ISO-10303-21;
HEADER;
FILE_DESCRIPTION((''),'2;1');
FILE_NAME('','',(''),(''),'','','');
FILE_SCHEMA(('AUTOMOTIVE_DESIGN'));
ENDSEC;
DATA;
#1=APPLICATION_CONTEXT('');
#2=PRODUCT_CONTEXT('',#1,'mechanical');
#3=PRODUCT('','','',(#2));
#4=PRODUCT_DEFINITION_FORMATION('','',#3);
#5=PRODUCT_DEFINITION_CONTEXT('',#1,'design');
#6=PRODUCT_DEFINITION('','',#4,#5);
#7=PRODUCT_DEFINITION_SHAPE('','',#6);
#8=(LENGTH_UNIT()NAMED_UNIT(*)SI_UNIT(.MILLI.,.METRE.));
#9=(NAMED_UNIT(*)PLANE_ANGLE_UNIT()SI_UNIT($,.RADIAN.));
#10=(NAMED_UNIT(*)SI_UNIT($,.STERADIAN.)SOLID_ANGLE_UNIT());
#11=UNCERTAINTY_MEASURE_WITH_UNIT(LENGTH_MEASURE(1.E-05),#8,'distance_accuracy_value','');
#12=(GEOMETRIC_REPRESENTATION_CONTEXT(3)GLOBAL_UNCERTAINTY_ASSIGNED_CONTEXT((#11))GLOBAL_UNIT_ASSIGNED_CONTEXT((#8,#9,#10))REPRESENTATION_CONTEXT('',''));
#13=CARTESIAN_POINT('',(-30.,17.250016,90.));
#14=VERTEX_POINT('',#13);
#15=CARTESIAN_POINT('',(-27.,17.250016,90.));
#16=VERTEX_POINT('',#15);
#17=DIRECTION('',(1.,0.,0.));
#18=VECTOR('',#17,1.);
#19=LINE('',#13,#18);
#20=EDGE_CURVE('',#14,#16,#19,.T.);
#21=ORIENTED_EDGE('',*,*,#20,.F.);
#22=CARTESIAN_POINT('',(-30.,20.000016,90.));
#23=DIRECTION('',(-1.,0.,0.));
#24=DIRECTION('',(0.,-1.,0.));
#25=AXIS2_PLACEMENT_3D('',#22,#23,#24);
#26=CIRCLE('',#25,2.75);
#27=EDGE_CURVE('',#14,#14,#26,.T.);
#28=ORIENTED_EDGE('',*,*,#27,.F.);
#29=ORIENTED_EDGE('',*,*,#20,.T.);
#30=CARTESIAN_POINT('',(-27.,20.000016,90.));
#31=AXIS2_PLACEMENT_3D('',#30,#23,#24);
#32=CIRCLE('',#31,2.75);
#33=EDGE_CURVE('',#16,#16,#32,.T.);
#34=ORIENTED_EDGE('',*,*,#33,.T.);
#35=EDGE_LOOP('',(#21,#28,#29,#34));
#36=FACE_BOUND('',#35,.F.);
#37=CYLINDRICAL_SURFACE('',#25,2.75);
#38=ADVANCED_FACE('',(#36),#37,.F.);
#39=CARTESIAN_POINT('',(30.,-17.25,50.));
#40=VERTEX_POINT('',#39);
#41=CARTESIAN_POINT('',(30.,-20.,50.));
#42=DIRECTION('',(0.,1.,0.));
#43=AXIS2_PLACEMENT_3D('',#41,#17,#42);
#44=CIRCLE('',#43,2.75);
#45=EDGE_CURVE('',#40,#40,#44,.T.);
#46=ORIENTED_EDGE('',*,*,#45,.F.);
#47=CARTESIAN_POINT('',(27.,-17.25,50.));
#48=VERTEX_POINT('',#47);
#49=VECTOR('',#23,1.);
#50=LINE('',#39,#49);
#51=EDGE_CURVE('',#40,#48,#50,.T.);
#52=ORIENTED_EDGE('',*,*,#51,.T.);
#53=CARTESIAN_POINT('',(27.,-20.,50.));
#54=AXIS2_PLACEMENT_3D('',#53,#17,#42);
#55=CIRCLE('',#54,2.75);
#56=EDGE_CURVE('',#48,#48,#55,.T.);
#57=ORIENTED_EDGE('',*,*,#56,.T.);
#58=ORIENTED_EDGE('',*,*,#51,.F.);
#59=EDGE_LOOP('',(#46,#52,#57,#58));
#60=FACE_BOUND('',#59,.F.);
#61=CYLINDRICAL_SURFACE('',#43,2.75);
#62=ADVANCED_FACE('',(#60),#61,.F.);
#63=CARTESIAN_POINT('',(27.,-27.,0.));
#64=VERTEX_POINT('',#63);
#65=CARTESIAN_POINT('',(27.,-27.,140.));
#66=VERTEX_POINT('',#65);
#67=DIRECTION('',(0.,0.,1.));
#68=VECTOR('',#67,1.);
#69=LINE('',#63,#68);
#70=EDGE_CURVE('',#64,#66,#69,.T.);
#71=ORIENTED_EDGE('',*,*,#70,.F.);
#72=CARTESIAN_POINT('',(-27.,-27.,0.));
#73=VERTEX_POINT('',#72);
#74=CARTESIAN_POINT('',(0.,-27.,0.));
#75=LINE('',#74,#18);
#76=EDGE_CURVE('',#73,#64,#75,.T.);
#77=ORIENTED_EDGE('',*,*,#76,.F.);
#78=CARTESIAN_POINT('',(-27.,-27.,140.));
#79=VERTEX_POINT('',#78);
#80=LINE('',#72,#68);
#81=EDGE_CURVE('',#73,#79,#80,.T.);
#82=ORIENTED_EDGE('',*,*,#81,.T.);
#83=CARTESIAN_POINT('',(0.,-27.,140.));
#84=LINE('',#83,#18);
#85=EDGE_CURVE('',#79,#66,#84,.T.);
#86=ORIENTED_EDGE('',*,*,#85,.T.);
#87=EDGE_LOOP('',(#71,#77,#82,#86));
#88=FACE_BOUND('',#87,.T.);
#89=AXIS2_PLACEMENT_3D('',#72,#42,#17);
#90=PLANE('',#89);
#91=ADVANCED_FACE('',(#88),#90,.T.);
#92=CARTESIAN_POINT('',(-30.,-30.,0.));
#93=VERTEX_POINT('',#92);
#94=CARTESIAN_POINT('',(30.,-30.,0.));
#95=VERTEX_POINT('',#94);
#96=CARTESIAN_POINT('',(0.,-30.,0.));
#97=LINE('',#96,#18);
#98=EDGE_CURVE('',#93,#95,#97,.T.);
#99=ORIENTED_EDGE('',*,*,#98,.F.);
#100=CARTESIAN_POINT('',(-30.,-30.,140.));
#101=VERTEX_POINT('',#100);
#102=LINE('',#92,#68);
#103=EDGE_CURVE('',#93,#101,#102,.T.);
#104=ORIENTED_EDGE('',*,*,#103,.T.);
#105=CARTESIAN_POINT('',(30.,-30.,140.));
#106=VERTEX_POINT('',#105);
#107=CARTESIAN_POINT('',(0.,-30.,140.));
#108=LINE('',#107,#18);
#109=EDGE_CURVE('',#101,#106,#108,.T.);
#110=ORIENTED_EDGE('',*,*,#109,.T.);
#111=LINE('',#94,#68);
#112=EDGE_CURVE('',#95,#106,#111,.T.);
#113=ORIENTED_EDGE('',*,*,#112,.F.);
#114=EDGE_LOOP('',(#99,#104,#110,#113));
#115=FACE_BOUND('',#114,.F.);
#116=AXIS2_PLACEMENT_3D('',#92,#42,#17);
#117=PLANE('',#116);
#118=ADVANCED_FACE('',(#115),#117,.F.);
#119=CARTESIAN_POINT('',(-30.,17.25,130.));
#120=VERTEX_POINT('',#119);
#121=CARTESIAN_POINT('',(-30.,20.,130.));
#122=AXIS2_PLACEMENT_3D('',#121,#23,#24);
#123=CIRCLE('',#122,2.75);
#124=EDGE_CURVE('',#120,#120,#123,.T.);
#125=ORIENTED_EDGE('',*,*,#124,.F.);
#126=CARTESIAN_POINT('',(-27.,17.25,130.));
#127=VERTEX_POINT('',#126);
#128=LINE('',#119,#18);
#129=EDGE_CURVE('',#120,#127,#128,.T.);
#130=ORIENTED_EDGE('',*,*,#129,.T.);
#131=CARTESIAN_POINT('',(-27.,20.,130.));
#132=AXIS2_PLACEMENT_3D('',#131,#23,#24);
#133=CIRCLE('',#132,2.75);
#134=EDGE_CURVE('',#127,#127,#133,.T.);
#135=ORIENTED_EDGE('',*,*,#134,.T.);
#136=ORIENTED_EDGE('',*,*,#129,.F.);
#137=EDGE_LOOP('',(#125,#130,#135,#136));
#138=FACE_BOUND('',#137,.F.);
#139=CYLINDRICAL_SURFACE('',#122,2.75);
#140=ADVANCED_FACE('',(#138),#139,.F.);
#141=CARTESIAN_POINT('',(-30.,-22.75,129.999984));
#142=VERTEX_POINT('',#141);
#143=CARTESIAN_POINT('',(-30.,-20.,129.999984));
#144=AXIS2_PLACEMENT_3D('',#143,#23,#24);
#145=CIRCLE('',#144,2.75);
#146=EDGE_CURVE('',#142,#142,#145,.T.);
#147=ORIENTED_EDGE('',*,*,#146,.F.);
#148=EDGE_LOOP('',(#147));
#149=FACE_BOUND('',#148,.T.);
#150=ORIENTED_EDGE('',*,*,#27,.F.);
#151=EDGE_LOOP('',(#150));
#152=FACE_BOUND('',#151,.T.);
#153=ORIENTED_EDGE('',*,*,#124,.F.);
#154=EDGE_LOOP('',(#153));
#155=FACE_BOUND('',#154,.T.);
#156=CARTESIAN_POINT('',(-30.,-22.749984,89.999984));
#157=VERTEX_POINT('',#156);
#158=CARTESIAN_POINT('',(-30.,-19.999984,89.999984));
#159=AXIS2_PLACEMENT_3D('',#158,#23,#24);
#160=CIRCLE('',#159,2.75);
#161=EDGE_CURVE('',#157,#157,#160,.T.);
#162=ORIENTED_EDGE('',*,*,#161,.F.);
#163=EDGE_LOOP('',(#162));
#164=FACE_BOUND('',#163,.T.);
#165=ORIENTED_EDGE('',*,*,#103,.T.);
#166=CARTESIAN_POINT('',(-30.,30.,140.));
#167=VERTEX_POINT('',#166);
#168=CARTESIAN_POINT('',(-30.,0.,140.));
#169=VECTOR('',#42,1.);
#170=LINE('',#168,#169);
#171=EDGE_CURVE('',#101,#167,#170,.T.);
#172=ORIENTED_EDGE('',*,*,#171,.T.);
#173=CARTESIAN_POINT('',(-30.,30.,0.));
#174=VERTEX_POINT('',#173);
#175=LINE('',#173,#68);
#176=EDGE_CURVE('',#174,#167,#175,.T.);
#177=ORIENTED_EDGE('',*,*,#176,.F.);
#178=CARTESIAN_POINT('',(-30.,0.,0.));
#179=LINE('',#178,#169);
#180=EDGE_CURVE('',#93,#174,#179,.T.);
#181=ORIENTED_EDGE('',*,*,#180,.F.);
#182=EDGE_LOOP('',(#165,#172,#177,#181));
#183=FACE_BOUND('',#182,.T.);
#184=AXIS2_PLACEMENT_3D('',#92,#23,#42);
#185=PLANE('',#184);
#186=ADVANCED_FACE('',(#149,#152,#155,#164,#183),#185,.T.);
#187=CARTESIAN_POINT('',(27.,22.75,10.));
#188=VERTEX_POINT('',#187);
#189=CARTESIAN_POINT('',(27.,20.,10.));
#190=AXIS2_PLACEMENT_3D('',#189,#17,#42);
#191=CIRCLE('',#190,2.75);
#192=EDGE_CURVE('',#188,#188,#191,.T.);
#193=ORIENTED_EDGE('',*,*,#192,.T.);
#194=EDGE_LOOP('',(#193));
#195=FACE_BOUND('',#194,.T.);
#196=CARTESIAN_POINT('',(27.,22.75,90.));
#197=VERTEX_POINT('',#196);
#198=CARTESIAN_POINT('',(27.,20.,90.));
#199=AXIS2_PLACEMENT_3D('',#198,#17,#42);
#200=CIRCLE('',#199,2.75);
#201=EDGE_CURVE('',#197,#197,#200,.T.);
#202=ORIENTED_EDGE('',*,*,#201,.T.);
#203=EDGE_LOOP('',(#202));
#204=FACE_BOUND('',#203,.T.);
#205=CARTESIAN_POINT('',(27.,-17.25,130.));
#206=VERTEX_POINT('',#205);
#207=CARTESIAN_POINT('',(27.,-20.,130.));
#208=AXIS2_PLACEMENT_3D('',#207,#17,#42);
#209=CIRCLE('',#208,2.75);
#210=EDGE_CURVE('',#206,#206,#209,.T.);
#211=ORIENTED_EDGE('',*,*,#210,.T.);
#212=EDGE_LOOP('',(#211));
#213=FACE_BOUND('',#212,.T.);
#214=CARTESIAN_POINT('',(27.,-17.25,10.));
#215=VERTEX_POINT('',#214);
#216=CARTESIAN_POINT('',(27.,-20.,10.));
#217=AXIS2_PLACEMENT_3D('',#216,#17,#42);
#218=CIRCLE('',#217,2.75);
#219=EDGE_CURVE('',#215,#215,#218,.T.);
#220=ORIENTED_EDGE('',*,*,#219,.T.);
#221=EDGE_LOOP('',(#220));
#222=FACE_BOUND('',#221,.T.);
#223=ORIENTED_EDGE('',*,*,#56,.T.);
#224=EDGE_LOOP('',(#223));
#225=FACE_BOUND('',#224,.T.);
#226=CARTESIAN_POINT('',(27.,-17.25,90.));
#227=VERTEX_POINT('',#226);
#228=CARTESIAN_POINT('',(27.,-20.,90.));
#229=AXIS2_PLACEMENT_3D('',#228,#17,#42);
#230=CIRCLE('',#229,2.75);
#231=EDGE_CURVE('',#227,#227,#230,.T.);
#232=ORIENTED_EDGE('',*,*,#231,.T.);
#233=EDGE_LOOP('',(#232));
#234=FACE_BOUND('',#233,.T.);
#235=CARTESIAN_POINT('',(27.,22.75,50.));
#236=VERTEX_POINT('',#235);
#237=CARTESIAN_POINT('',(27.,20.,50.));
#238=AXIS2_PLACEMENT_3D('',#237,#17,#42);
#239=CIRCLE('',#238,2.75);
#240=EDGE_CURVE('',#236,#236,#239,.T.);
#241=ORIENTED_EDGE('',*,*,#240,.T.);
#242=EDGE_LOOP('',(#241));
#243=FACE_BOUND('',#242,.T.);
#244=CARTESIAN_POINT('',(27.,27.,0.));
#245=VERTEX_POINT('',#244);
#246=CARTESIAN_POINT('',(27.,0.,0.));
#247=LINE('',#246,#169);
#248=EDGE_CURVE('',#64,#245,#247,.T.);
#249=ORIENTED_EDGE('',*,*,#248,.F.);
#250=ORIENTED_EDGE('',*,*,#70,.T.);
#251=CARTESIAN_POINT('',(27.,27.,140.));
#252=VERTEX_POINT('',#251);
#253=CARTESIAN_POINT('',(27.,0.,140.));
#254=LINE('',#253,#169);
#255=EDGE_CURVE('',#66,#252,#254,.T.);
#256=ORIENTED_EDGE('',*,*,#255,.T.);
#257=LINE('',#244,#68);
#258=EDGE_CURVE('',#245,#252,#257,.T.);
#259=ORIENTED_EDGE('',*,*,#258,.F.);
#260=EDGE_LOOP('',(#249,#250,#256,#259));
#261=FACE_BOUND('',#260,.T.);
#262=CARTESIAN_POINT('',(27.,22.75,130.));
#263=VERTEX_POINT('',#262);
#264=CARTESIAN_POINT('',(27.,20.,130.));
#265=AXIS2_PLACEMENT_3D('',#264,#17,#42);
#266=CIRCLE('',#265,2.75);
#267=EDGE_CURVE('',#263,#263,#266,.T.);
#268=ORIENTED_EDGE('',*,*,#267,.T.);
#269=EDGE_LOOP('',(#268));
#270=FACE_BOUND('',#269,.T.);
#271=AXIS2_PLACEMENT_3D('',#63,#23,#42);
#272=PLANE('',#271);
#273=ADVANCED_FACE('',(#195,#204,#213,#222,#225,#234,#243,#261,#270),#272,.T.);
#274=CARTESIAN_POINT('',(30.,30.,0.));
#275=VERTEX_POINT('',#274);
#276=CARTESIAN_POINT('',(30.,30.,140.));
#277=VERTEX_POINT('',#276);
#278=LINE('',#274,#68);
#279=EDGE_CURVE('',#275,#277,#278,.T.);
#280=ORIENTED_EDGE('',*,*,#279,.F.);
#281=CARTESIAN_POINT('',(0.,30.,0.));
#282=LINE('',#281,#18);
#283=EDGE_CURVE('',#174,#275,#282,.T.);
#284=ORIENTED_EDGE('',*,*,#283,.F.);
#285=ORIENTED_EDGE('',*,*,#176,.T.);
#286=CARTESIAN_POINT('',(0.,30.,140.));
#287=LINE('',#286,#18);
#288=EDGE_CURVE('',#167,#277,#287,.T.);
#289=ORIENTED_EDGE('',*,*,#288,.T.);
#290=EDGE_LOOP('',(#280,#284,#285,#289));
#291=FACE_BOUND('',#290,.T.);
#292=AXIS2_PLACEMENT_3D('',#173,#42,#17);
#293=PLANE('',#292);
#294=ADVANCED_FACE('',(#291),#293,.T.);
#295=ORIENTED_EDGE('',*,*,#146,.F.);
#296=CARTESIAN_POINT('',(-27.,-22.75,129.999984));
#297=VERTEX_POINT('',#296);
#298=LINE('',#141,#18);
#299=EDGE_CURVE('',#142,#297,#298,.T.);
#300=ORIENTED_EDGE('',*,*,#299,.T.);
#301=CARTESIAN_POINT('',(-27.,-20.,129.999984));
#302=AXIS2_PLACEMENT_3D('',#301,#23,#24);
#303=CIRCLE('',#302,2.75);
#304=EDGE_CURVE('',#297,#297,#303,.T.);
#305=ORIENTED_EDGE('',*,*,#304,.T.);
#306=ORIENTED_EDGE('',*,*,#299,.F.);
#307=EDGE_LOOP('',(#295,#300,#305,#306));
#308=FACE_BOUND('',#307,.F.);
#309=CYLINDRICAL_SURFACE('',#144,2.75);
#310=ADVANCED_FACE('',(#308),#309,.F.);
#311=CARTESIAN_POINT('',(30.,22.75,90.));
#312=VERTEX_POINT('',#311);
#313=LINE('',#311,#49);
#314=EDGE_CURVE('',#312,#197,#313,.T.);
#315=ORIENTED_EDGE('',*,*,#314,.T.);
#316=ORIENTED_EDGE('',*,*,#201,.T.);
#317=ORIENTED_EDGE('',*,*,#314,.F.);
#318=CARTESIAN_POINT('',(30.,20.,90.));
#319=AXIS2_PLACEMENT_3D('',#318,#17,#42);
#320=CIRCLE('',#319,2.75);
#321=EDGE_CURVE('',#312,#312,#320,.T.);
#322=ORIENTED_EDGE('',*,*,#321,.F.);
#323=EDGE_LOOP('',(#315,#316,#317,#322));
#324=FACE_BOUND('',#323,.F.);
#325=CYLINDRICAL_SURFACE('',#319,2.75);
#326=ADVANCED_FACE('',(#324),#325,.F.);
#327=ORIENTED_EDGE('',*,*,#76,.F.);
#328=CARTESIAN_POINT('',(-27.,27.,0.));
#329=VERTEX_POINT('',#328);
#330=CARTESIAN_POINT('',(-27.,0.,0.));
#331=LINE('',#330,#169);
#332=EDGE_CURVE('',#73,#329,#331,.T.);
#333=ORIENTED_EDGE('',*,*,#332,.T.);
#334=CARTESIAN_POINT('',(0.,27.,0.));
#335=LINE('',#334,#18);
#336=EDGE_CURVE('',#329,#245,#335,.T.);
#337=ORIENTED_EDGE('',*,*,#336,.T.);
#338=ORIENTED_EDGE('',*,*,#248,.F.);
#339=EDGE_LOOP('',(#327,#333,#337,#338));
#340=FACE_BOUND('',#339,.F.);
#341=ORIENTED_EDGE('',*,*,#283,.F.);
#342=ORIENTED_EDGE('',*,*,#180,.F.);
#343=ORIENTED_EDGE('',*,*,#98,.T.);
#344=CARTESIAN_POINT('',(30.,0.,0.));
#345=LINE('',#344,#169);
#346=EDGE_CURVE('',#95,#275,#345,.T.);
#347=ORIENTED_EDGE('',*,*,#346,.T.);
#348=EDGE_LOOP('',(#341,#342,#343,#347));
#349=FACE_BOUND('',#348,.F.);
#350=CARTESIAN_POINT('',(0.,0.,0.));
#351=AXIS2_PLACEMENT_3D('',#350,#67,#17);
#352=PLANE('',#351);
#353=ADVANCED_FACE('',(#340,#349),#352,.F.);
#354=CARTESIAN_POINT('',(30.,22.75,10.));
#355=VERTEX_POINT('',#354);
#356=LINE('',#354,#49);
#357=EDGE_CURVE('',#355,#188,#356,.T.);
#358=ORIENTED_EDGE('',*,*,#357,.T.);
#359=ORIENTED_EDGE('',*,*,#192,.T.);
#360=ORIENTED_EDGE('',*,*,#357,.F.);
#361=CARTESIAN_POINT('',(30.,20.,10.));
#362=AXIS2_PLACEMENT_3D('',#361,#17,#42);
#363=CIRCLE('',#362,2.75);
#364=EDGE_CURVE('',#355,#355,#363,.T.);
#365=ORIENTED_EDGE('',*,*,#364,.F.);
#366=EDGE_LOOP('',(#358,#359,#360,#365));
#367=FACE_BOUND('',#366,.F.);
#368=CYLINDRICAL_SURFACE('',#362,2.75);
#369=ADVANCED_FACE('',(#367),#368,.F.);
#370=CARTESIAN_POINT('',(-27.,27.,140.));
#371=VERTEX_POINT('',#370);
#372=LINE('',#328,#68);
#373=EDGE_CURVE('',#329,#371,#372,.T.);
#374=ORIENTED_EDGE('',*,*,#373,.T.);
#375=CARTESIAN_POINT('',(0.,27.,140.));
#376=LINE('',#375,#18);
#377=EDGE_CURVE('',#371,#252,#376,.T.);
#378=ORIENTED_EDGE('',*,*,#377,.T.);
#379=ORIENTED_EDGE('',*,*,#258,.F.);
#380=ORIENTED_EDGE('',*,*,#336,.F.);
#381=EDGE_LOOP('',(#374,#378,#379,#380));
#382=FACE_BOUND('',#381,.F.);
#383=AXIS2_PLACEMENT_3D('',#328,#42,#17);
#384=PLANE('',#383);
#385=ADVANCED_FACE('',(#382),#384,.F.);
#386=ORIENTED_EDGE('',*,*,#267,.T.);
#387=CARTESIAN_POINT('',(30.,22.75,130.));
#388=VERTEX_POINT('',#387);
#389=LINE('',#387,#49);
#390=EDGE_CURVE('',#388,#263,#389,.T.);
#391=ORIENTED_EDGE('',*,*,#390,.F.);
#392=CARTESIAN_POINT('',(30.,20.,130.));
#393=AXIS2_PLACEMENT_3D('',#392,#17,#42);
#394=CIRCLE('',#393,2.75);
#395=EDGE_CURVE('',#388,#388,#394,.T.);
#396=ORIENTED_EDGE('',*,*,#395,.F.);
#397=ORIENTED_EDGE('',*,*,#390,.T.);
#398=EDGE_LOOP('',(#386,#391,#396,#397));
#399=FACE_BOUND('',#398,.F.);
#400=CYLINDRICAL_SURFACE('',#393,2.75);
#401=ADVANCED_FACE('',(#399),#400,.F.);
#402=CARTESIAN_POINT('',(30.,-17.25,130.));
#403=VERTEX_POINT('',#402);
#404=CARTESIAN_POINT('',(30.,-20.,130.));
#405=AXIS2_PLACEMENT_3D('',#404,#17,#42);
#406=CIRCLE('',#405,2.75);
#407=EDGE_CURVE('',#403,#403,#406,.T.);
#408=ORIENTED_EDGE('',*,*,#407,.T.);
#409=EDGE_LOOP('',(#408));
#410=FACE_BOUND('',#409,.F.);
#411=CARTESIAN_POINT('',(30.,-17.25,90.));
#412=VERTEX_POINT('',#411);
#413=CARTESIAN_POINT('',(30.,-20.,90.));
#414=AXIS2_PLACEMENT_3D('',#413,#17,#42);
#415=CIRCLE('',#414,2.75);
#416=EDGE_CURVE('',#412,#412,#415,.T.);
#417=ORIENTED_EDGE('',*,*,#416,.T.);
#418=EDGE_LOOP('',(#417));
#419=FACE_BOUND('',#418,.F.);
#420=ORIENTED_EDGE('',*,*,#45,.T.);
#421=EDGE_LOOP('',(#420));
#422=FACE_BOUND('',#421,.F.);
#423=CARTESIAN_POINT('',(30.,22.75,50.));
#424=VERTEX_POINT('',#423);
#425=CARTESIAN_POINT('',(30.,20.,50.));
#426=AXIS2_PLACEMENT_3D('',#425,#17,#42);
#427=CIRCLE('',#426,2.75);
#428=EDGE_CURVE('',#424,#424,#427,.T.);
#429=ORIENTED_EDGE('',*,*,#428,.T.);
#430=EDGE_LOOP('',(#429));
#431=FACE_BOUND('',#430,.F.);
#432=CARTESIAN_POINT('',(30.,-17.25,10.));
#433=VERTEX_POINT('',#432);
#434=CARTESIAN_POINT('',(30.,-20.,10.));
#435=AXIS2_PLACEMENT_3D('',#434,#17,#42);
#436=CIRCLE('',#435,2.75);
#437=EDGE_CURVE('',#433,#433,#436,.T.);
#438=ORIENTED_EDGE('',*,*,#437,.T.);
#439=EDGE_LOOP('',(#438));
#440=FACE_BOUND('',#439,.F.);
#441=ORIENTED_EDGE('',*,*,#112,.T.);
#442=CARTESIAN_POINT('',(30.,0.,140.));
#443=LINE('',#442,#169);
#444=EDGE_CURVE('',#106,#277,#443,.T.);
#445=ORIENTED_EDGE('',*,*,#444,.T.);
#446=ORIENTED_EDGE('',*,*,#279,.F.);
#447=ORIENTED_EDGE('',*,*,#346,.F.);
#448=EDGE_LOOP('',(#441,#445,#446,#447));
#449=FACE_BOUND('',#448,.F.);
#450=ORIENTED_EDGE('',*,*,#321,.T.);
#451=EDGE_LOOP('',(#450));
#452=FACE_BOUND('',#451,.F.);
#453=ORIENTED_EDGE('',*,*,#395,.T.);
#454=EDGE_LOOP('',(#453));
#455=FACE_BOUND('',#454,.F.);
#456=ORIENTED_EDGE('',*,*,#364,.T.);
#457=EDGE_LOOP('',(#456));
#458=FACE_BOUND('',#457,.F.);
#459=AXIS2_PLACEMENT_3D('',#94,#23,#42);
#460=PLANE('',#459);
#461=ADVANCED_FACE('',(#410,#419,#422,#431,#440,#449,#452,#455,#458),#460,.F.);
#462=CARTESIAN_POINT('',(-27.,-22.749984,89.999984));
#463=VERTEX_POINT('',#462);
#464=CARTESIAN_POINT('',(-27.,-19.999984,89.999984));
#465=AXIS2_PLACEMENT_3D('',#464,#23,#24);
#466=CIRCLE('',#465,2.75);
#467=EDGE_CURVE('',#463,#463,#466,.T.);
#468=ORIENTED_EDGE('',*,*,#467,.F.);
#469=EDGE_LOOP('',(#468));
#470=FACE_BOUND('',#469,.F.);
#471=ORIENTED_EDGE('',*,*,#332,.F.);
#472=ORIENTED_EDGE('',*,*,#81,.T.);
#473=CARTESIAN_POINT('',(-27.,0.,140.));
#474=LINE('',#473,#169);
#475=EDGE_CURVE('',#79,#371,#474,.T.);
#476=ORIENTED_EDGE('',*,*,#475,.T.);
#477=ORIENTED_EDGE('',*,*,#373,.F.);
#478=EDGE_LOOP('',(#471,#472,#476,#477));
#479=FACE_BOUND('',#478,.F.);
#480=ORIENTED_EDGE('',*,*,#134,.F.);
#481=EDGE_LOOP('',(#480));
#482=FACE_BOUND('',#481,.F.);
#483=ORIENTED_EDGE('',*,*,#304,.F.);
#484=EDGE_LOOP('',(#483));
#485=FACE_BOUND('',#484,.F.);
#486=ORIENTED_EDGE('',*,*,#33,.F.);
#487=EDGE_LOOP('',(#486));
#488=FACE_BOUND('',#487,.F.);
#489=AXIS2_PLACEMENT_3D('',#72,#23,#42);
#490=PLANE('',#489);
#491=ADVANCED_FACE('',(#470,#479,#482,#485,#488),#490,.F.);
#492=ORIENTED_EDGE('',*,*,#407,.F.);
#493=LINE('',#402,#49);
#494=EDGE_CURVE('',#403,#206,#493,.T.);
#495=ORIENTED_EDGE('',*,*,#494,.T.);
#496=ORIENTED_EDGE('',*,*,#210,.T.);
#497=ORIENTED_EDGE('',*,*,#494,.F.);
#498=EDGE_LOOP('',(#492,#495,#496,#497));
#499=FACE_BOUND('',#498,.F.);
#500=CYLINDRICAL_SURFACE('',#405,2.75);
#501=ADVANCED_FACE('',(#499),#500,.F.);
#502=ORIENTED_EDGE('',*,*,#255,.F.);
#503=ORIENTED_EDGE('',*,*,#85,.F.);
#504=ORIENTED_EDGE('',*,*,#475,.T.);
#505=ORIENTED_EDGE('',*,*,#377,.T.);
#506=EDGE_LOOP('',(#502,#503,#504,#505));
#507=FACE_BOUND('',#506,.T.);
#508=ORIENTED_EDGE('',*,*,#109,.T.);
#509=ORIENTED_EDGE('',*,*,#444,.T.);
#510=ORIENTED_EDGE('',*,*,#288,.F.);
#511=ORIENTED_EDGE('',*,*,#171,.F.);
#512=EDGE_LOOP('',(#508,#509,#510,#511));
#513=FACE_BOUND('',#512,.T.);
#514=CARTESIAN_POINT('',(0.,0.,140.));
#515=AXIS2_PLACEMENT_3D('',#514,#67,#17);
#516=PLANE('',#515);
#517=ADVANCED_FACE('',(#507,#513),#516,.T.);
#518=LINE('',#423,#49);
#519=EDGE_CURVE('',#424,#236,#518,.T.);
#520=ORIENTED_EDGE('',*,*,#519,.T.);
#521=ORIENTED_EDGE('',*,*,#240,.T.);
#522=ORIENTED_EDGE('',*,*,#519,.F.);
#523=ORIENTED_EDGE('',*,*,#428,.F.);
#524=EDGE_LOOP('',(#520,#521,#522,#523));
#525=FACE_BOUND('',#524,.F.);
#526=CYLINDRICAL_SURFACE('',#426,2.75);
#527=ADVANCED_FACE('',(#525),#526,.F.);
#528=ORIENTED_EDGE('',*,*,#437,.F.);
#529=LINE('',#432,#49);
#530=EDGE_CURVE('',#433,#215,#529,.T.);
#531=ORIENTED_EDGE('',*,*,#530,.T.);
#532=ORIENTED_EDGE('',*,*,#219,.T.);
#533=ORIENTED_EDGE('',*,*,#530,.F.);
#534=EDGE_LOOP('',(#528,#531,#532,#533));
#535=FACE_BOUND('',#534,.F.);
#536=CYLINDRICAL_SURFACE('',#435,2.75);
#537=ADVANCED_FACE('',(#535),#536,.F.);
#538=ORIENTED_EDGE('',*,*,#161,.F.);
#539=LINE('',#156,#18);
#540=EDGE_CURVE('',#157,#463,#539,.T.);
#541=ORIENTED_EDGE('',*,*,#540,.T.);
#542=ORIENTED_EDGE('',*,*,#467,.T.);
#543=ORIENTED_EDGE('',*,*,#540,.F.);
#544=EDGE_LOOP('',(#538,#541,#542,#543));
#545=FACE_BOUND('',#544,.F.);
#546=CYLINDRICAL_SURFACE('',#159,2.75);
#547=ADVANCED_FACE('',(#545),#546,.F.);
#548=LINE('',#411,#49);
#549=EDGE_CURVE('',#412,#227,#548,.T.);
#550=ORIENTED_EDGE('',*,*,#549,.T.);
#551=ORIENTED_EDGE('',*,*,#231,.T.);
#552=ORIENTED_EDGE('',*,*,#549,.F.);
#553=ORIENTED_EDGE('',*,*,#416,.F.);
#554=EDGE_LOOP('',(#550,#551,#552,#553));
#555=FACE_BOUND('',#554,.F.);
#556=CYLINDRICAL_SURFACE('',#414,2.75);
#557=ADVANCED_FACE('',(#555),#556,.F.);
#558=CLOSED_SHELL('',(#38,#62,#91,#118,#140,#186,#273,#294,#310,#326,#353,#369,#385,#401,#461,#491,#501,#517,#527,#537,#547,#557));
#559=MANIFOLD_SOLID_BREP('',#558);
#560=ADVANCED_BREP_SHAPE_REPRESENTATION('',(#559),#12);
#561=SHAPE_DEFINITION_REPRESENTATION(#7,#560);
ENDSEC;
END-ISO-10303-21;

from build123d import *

# Parameters (mm, degrees)
SKETCH_W        = 60
SKETCH_H        = 60
SKETCH_W_2      = 54
SKETCH_H_2      = 54
PAD_DEPTH       = 140
SKETCH001_R     = 2.75
POCKET_DEPTH    = 3
SKETCH002_R     = 2.75
POCKET001_DEPTH = 3


with BuildPart() as part:
    # Sketch → Pad (new body)
    with BuildSketch(Plane.XY):
        Rectangle(SKETCH_W, SKETCH_H)
        Rectangle(SKETCH_W_2, SKETCH_H_2, mode=Mode.SUBTRACT)
    extrude(amount=PAD_DEPTH)

    # Sketch001 (on Face2 of Pad) → Pocket (cut)
    with BuildSketch(Plane.YZ.offset(30)):
        with Locations((-20, 130)):
            Circle(SKETCH001_R)
        with Locations((20, 130)):
            Circle(SKETCH001_R)
        with Locations((-20, 90)):
            Circle(SKETCH001_R)
        with Locations((20, 90)):
            Circle(SKETCH001_R)
        with Locations((-20, 50)):
            Circle(SKETCH001_R)
        with Locations((20, 50)):
            Circle(SKETCH001_R)
        with Locations((-20, 10)):
            Circle(SKETCH001_R)
        with Locations((20, 10)):
            Circle(SKETCH001_R)
    extrude(amount=-POCKET_DEPTH, mode=Mode.SUBTRACT)

    # Sketch002 (on Face2 of Pocket) → Pocket001 (cut)
    with BuildSketch(Plane(origin=(-30, 0, 0), x_dir=(0, -1, 0), z_dir=(-1, 0, 0))):
        with Locations((-20, 130)):
            Circle(SKETCH002_R)
        with Locations((20, 129.999984)):
            Circle(SKETCH002_R)
        with Locations((-20.000016, 90)):
            Circle(SKETCH002_R)
        with Locations((19.999984, 89.999984)):
            Circle(SKETCH002_R)
    extrude(amount=-POCKET001_DEPTH, mode=Mode.SUBTRACT)


solid = part.part
